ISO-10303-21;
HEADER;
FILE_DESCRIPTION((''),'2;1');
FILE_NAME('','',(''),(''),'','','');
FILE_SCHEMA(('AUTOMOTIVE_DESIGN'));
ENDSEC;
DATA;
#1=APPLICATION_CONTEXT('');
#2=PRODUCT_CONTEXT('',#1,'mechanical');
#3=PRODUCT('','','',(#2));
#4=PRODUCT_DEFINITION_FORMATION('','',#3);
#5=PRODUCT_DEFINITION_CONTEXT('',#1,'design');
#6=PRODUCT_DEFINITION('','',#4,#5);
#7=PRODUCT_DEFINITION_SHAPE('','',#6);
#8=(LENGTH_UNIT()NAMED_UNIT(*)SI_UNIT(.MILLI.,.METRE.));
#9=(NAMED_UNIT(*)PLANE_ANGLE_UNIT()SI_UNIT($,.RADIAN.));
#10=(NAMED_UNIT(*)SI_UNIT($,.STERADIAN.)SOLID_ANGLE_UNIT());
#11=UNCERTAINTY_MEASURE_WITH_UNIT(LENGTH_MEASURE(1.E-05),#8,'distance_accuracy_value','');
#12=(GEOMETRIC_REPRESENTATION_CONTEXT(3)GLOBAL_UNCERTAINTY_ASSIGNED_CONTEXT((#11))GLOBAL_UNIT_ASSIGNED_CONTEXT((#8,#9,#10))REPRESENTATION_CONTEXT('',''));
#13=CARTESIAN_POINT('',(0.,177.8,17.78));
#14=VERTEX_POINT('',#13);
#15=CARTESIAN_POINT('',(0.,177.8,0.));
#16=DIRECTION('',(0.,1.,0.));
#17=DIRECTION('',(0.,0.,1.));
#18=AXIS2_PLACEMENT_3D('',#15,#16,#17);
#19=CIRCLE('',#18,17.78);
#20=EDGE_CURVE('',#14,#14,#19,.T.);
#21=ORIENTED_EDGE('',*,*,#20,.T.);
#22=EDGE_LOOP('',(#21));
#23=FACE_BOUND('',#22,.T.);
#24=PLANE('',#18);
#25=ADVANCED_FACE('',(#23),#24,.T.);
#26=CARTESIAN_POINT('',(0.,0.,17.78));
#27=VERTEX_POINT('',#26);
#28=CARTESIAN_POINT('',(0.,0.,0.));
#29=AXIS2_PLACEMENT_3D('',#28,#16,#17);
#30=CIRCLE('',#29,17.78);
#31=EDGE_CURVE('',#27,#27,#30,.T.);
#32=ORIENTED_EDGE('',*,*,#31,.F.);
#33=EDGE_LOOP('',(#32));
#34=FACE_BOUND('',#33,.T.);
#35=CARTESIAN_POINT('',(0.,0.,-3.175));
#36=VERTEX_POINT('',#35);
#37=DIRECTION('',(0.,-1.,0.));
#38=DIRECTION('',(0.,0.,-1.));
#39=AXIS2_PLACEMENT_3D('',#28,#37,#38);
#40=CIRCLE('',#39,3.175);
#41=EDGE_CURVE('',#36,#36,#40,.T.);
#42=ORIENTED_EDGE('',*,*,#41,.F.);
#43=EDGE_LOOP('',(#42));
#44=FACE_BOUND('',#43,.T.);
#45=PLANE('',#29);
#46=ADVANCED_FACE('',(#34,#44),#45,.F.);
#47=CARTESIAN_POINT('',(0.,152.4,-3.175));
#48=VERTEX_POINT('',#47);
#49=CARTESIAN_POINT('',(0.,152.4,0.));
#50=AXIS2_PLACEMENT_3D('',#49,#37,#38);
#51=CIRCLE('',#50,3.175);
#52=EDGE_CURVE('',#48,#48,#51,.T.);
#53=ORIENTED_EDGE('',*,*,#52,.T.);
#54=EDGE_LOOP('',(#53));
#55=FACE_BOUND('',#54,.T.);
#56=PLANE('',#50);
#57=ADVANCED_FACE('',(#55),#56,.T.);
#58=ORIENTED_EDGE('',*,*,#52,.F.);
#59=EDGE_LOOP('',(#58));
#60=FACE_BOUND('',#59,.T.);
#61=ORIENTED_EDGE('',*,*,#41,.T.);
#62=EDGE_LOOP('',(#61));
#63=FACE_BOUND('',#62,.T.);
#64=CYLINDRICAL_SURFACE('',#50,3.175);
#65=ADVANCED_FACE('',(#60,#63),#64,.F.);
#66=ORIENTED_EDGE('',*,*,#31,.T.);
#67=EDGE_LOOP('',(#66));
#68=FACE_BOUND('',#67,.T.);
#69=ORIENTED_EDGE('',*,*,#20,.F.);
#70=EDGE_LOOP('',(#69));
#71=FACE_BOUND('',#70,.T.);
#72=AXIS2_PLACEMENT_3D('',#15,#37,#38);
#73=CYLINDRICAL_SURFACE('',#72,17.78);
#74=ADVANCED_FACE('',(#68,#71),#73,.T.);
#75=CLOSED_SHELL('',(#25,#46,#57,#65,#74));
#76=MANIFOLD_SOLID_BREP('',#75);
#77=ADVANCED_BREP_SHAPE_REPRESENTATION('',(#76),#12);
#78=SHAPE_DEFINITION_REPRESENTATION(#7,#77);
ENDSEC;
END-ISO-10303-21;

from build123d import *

# Parameters (mm, degrees)
SKETCH1_R           = 17.78
BOSS_EXTRUDE1_DEPTH = 177.8
SKETCH4_R           = 3.175
CUT_EXTRUDE1_DEPTH  = 152.4


with BuildPart() as part:
    # Sketch1 → Boss-Extrude1 (new body)
    with BuildSketch(Plane(origin=(0, 0, 0), x_dir=(1, 0, 0), z_dir=(0, 1, 0))):
        Circle(SKETCH1_R)
    extrude(amount=BOSS_EXTRUDE1_DEPTH)

    # Sketch4 → Cut-Extrude1 (cut)
    with BuildSketch(Plane.XZ):
        Circle(SKETCH4_R)
    extrude(amount=-CUT_EXTRUDE1_DEPTH, mode=Mode.SUBTRACT)


solid = part.part
